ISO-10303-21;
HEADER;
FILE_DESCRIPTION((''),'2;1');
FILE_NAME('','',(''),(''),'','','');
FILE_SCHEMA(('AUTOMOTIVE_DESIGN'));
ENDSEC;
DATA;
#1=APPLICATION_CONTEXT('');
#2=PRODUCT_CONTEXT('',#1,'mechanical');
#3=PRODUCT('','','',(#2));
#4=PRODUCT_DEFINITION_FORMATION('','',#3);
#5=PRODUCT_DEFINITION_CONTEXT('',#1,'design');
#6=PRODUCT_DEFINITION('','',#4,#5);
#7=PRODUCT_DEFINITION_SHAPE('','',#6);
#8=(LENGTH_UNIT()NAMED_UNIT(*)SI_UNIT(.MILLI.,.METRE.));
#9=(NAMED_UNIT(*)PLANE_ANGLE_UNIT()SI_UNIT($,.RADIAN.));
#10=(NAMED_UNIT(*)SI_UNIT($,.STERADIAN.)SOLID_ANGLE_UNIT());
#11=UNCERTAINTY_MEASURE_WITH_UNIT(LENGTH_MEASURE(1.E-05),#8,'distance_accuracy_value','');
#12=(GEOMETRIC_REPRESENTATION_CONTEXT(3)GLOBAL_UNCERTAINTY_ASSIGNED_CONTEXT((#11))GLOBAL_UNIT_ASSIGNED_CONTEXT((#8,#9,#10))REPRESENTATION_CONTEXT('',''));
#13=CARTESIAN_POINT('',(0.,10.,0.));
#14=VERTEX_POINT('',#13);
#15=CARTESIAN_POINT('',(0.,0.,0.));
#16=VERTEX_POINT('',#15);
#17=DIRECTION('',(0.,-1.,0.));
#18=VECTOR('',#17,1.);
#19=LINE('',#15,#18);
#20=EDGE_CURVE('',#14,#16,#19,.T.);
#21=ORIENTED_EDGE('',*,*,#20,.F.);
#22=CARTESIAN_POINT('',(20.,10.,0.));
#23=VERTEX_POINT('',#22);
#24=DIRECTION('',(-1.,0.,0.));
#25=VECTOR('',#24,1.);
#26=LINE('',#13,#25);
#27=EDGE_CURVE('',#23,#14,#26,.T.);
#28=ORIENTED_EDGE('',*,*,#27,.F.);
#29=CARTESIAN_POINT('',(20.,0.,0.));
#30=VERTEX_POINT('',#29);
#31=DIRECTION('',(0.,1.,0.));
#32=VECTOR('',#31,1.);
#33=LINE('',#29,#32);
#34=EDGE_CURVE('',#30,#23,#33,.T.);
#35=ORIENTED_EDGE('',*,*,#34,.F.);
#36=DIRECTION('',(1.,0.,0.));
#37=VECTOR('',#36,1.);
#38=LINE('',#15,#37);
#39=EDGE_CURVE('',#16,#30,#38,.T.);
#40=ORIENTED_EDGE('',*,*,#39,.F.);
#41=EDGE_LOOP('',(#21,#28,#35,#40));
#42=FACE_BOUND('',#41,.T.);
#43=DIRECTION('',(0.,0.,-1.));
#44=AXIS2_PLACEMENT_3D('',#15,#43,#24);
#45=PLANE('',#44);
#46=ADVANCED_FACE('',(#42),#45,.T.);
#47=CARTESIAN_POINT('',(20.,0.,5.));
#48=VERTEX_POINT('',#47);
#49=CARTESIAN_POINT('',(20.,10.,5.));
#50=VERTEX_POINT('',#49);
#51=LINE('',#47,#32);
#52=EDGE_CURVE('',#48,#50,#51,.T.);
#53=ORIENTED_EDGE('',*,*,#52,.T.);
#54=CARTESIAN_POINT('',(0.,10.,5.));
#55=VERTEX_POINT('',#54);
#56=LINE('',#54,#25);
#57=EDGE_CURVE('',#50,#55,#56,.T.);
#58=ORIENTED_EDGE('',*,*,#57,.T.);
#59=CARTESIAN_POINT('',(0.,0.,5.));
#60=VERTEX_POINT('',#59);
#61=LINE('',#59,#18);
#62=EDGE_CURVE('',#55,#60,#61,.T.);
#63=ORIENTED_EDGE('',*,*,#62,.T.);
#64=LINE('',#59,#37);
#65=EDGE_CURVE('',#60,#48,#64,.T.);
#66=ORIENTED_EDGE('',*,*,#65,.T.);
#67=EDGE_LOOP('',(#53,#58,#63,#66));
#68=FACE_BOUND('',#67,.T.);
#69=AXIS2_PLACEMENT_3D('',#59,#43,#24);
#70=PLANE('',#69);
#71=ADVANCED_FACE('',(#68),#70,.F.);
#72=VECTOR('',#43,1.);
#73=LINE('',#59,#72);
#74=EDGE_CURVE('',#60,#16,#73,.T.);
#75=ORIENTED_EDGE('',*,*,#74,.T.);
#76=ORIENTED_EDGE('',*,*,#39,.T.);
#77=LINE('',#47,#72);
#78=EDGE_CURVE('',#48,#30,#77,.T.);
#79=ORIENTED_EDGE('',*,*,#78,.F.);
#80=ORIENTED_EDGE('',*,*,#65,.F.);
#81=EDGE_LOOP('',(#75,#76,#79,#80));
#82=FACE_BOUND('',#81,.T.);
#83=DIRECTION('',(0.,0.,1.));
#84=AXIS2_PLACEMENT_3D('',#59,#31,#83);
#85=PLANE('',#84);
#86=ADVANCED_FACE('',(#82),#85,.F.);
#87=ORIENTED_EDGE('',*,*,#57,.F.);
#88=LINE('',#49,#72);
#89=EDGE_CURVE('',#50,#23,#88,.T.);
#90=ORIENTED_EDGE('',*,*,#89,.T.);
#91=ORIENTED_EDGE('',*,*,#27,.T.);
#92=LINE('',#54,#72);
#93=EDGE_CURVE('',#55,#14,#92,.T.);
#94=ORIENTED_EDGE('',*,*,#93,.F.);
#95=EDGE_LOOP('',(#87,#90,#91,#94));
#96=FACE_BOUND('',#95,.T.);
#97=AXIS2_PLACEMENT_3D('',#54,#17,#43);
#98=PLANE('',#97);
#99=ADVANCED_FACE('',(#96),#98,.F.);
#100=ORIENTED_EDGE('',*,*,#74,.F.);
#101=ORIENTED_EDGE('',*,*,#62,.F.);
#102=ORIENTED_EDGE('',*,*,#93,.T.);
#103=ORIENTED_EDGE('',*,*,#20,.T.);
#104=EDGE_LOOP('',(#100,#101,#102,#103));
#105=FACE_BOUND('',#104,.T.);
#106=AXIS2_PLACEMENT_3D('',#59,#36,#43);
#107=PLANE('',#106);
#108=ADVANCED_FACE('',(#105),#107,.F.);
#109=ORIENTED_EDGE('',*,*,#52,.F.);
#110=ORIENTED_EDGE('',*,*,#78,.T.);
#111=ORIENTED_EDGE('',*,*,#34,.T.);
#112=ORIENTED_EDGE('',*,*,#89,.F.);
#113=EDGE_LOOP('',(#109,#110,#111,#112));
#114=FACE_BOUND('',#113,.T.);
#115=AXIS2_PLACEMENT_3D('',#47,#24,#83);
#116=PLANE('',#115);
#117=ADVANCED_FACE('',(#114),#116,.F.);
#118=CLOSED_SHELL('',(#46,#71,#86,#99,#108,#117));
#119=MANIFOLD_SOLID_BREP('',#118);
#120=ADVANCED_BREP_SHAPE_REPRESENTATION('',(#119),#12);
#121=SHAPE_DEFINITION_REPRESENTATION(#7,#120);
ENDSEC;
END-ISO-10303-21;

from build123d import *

# Parameters (mm, degrees)
SZKIC1_W                    = 20
SZKIC1_H                    = 10
DODANIE_WYCI_GNI_CIE1_DEPTH = 5


with BuildPart() as part:
    # Szkic1 → Dodanie-wyciągnięcie1 (new body)
    with BuildSketch(Plane.XY):
        with Locations((10, 5)):
            Rectangle(SZKIC1_W, SZKIC1_H)
    extrude(amount=DODANIE_WYCI_GNI_CIE1_DEPTH)


solid = part.part
